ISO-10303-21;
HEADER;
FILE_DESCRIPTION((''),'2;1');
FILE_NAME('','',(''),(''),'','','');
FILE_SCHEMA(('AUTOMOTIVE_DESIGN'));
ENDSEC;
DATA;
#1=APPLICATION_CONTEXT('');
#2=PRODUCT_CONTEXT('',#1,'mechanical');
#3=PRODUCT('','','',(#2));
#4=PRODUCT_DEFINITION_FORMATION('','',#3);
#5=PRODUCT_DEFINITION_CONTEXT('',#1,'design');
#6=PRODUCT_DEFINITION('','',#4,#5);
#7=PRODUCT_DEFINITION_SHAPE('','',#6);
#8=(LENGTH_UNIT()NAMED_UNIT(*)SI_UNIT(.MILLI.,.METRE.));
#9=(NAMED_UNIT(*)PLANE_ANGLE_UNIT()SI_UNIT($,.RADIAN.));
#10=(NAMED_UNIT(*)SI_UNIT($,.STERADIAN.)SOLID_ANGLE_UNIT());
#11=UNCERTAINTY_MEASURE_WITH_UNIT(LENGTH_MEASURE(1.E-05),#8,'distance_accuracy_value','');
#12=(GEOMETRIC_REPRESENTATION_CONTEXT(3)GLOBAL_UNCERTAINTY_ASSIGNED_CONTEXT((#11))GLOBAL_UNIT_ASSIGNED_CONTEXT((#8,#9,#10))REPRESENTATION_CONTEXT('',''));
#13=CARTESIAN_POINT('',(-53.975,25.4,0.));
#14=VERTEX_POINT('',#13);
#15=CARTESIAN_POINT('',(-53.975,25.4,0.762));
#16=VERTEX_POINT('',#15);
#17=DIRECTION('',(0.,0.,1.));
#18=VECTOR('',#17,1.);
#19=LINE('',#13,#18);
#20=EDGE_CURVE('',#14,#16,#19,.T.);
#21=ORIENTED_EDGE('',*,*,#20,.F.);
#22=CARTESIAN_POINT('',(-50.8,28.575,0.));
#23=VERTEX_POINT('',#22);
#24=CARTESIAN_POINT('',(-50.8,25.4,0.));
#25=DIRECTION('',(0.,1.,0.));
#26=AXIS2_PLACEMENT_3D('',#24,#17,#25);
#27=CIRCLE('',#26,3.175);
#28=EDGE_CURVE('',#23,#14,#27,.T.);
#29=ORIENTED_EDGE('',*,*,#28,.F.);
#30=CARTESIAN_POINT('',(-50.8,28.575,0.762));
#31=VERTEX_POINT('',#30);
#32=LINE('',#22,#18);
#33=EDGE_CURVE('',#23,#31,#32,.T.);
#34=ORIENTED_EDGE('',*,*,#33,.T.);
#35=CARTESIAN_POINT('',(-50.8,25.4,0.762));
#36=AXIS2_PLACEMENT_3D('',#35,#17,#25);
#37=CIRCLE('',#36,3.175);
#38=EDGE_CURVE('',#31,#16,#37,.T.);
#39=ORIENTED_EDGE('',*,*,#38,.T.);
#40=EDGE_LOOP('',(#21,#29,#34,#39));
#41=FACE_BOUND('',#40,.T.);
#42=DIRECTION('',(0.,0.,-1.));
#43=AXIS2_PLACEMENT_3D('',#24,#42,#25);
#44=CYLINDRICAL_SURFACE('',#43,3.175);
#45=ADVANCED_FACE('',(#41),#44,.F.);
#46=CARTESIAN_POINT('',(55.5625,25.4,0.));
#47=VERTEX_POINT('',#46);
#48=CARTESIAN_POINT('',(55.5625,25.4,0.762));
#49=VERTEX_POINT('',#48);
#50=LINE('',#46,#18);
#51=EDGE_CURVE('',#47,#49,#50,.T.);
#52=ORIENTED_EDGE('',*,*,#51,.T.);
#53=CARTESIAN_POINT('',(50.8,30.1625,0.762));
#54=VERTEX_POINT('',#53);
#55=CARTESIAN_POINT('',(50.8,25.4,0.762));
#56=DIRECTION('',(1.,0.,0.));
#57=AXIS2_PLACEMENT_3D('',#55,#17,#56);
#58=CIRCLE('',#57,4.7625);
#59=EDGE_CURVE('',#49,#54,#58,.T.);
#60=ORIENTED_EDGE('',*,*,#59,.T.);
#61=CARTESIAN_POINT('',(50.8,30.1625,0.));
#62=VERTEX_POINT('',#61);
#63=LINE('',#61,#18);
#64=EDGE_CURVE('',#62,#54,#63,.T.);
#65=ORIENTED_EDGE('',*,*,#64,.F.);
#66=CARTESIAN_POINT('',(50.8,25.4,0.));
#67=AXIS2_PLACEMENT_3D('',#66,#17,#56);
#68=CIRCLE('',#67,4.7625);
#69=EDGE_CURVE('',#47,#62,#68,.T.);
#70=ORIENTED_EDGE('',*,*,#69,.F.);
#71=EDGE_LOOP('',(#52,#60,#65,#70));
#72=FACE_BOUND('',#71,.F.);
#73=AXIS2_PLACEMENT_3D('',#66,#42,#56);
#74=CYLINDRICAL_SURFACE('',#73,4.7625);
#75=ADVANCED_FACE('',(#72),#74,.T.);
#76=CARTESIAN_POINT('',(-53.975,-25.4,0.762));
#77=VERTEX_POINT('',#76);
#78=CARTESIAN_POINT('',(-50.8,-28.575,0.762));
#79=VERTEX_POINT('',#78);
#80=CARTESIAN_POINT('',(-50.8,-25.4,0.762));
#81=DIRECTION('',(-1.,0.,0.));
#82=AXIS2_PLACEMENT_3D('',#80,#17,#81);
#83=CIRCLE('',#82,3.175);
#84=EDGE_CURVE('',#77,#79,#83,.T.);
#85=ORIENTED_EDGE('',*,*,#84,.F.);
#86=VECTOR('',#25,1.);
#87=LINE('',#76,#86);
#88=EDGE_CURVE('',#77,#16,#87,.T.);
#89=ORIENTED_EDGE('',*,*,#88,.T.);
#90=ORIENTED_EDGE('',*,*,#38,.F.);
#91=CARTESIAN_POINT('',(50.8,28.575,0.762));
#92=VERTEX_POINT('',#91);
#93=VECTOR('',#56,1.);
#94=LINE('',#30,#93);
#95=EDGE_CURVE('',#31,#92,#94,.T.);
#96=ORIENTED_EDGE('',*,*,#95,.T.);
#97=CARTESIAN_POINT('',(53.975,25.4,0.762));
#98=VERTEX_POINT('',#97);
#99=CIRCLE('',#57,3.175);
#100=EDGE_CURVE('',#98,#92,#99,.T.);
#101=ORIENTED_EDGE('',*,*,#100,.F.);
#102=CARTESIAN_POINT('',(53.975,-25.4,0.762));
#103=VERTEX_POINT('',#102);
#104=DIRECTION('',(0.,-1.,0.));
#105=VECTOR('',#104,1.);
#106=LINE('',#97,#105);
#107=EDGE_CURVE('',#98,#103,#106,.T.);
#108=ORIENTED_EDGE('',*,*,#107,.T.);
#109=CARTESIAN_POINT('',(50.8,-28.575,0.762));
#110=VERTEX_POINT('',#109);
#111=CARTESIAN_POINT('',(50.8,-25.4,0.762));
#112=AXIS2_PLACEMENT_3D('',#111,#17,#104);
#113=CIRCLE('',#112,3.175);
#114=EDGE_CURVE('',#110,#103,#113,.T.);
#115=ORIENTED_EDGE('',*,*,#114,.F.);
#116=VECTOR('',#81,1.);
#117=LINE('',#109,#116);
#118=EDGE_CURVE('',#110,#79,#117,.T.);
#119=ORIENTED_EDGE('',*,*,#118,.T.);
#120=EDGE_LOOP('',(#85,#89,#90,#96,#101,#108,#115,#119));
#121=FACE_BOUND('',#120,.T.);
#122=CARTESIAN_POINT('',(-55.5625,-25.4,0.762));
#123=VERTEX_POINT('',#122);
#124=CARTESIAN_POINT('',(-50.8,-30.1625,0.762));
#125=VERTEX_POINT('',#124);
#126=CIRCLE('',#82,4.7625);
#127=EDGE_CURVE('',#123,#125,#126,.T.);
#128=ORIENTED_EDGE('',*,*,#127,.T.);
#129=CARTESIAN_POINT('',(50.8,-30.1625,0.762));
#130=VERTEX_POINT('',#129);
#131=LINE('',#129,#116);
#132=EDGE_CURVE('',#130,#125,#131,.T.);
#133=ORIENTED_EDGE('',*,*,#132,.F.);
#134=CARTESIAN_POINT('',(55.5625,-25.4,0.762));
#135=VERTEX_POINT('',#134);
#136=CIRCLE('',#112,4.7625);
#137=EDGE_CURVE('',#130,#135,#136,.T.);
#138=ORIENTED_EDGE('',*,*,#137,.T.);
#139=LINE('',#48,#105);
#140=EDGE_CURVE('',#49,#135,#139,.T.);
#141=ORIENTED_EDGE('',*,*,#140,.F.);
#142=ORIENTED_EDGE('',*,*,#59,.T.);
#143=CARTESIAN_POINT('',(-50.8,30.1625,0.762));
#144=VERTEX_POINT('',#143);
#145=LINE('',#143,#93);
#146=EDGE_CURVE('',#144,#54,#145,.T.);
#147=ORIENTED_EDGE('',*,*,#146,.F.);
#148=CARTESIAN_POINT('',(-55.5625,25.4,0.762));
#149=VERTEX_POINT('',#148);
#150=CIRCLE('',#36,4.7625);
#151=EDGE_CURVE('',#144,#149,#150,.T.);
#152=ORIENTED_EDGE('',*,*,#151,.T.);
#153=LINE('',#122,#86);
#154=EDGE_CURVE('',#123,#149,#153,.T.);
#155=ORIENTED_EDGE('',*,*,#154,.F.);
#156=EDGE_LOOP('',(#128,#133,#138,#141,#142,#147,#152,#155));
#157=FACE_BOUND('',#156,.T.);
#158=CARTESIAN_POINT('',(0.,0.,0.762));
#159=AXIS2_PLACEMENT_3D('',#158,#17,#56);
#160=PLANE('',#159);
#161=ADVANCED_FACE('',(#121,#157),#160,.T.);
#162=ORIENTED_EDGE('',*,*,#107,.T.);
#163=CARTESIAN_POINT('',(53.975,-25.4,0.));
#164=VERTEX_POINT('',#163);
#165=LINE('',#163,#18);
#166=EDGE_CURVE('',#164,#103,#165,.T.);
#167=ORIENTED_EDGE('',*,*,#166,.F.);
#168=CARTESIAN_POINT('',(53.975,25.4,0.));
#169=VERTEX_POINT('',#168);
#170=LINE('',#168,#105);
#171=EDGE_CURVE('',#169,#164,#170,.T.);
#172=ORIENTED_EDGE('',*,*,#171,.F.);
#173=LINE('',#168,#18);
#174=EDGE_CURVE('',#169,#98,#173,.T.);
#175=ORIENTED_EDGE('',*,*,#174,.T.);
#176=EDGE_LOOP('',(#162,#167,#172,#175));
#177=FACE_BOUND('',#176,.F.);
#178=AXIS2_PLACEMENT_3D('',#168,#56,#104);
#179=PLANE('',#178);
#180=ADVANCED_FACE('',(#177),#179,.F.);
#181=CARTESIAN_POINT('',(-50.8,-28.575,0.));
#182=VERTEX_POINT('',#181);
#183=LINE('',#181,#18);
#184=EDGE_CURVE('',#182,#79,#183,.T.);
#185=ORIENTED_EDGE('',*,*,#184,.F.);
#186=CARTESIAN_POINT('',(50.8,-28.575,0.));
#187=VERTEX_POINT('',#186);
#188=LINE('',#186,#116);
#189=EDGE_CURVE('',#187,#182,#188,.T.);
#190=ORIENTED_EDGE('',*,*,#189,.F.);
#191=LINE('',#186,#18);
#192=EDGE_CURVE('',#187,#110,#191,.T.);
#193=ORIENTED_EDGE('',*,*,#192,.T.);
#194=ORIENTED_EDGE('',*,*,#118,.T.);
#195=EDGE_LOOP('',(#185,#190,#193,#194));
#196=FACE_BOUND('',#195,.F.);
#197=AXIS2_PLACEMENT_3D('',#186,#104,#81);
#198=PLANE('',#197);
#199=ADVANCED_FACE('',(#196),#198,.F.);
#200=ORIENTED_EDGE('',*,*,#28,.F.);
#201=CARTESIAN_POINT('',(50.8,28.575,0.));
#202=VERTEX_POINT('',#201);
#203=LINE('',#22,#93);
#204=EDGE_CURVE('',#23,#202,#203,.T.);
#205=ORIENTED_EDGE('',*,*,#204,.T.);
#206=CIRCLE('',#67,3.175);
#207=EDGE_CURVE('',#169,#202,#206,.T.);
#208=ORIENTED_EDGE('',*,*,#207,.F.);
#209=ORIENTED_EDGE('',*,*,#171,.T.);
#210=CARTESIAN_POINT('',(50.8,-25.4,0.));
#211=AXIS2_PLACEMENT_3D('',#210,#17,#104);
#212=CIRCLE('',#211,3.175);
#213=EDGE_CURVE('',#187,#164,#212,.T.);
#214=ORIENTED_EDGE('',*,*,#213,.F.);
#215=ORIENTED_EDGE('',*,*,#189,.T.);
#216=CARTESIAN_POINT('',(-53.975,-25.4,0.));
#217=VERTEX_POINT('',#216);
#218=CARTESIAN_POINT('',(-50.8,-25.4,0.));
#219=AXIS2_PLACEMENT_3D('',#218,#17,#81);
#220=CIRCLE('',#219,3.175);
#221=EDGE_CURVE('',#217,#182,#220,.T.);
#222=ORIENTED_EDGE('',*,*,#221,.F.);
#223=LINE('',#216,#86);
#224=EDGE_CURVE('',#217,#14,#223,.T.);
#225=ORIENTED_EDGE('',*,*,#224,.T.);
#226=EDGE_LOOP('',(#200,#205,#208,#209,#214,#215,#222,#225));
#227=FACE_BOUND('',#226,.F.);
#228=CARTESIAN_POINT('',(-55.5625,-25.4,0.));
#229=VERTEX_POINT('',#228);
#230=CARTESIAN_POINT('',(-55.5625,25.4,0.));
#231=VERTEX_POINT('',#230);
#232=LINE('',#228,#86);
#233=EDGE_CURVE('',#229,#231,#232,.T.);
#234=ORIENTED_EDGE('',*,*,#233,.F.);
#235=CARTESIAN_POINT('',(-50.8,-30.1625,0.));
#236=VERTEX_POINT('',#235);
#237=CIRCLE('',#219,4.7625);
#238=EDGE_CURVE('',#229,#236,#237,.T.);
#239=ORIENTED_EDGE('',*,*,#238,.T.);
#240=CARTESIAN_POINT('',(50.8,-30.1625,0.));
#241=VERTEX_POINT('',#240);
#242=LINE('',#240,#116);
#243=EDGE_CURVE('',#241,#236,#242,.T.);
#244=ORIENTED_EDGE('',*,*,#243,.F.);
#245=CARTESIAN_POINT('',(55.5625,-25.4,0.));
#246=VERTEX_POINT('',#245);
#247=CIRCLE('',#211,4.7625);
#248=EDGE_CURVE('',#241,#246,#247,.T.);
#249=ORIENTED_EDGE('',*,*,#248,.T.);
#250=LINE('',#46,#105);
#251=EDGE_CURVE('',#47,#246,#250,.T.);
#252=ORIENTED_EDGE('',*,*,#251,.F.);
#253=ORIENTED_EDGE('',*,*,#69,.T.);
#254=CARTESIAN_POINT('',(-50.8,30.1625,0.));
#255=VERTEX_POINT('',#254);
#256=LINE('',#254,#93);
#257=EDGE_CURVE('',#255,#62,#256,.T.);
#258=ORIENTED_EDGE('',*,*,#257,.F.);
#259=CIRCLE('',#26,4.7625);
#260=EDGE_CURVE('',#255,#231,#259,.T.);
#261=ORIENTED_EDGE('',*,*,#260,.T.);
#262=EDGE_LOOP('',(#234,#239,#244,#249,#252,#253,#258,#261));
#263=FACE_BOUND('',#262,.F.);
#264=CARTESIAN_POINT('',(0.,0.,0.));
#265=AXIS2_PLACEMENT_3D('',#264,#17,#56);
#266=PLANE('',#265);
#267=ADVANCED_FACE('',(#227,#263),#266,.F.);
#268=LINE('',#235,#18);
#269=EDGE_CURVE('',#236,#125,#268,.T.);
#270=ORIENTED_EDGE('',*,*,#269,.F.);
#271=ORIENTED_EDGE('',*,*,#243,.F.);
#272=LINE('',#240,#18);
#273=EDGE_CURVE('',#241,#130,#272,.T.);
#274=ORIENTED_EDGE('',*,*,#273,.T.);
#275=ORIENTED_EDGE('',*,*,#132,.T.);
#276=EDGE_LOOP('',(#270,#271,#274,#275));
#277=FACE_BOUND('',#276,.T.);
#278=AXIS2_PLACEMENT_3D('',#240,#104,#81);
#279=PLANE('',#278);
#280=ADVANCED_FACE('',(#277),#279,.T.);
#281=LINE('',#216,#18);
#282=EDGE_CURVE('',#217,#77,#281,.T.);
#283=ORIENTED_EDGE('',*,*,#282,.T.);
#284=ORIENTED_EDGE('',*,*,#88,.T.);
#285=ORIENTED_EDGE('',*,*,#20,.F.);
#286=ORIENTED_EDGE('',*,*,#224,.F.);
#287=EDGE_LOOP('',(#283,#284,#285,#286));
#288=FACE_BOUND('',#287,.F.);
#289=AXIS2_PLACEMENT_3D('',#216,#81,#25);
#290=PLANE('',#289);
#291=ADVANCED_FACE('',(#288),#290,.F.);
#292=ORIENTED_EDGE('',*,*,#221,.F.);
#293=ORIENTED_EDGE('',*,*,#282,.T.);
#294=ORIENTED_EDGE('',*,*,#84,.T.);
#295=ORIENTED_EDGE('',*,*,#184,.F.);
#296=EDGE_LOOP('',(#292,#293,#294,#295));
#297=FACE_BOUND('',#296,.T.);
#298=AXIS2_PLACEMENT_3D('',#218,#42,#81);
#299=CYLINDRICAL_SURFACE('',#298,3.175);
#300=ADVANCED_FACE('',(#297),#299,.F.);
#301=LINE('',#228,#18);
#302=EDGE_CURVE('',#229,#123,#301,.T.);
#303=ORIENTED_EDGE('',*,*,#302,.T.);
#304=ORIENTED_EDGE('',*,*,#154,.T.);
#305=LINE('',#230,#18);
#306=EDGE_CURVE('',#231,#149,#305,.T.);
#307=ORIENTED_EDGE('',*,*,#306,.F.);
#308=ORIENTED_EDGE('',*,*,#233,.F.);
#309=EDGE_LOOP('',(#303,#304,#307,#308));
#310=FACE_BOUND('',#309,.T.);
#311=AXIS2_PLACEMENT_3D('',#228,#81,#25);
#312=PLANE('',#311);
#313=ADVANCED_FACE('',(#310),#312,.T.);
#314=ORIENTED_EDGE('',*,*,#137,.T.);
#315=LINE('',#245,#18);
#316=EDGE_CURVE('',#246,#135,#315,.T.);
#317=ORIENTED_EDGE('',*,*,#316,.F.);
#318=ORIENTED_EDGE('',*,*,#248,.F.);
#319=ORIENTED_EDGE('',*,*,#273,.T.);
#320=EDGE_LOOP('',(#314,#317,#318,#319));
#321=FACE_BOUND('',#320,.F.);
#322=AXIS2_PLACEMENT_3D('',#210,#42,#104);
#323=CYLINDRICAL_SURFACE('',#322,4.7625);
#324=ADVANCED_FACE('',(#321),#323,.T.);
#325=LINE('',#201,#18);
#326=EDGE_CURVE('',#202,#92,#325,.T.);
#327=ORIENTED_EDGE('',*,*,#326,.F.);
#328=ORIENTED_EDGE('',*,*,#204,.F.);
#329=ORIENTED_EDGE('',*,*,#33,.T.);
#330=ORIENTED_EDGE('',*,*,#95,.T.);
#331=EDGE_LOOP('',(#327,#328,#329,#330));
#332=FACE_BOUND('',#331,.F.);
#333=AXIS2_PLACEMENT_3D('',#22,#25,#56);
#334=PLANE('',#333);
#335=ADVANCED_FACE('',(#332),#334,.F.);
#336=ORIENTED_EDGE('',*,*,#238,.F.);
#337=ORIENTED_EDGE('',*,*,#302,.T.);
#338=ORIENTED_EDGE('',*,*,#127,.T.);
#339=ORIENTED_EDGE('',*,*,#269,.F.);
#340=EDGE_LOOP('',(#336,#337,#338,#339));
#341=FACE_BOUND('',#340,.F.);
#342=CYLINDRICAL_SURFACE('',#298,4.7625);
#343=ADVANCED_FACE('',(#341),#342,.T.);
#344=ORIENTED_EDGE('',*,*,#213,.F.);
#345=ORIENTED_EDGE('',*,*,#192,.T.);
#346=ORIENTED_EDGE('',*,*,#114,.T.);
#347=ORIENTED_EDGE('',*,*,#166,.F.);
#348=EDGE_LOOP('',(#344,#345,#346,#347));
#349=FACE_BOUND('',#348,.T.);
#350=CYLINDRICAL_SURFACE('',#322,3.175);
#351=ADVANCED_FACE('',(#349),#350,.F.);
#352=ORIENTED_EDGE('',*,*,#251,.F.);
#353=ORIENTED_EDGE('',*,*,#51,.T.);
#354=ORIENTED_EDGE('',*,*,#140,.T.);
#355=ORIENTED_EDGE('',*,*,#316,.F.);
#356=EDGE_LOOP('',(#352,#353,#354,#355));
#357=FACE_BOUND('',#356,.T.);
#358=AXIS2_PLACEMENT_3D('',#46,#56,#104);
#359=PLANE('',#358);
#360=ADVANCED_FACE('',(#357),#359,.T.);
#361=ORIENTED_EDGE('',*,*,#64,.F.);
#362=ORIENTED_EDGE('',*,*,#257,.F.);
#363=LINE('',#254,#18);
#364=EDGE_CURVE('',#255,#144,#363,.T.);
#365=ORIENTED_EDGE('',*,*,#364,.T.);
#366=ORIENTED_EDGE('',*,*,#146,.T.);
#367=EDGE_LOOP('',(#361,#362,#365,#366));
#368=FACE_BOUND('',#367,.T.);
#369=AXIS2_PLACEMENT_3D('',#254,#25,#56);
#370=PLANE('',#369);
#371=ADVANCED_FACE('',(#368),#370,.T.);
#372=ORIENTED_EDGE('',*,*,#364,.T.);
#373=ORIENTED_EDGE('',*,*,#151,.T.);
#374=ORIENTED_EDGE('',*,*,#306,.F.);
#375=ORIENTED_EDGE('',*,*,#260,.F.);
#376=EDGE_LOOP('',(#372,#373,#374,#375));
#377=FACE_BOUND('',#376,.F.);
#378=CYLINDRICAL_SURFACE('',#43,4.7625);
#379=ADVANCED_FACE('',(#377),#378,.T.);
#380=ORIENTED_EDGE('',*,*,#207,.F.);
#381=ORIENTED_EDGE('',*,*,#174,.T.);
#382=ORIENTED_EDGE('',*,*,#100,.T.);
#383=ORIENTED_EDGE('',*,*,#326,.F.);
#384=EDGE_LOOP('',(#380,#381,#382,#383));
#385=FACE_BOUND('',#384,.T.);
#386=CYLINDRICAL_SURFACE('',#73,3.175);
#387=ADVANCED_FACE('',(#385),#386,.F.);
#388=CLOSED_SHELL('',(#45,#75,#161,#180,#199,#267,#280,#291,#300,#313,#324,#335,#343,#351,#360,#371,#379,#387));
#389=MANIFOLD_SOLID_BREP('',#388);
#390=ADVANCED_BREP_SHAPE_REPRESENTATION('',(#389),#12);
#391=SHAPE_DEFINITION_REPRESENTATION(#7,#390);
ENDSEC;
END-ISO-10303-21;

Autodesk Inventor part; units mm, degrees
ref_plane "YZ Plane" through (0, 0, 0) normal (1, 0, 0) x (0, 1, 0)
ref_plane "XZ Plane" through (0, 0, 0) normal (0, 1, 0) x (-1, 0, 0)
ref_plane "XY Plane" through (0, 0, 0) normal (0, 0, 1) x (1, 0, 0)
sketch "Sketch1" plane through (0, 0, 0) normal (0, 0, 1) x (1, 0, 0)
  arc A0 (-57.15, -25.4) -> (-50.8, -31.75) centre (-50.8, -25.4) ccw projected
  line L0 (50.8, -31.75) -> (-50.8, -31.75) projected
  arc A1 (50.8, -31.75) -> (57.15, -25.4) centre (50.8, -25.4) ccw projected
  line L1 (57.15, 25.4) -> (57.15, -25.4) projected
  arc A2 (57.15, 25.4) -> (50.8, 31.75) centre (50.8, 25.4) ccw projected
  line L2 (-50.8, 31.75) -> (50.8, 31.75) projected
  arc A3 (-50.8, 31.75) -> (-57.15, 25.4) centre (-50.8, 25.4) ccw projected
  line L3 (-57.15, -25.4) -> (-57.15, 25.4) projected
  arc A4 (-50.8, 30.1625) -> (-55.5625, 25.4) centre (-50.8, 25.4) ccw
  line L4 (-50.8, 30.1625) -> (50.8, 30.1625)
  arc A5 (55.5625, 25.4) -> (50.8, 30.1625) centre (50.8, 25.4) ccw
  line L5 (55.5625, 25.4) -> (55.5625, -25.4)
  arc A6 (50.8, -30.1625) -> (55.5625, -25.4) centre (50.8, -25.4) ccw
  line L6 (50.8, -30.1625) -> (-50.8, -30.1625)
  arc A7 (-55.5625, -25.4) -> (-50.8, -30.1625) centre (-50.8, -25.4) ccw
  line L7 (-55.5625, -25.4) -> (-55.5625, 25.4)
  arc A8 (-50.8, 28.575) -> (-53.975, 25.4) centre (-50.8, 25.4) ccw
  line L8 (-50.8, 28.575) -> (50.8, 28.575)
  arc A9 (53.975, 25.4) -> (50.8, 28.575) centre (50.8, 25.4) ccw
  line L9 (53.975, 25.4) -> (53.975, -25.4)
  arc A10 (50.8, -28.575) -> (53.975, -25.4) centre (50.8, -25.4) ccw
  line L10 (50.8, -28.575) -> (-50.8, -28.575)
  arc A11 (-53.975, -25.4) -> (-50.8, -28.575) centre (-50.8, -25.4) ccw
  line L11 (-53.975, -25.4) -> (-53.975, 25.4)
  point P0 (0, 0)
  dimension "d0" = 1.5875
extrude "Extrusion1" add sketch "Sketch1" along normal blind 0.762 contours L4 A5 L5 A6 L6 A7 L7 A4
properties part number "Rim" material "Acetal Resin, White"
